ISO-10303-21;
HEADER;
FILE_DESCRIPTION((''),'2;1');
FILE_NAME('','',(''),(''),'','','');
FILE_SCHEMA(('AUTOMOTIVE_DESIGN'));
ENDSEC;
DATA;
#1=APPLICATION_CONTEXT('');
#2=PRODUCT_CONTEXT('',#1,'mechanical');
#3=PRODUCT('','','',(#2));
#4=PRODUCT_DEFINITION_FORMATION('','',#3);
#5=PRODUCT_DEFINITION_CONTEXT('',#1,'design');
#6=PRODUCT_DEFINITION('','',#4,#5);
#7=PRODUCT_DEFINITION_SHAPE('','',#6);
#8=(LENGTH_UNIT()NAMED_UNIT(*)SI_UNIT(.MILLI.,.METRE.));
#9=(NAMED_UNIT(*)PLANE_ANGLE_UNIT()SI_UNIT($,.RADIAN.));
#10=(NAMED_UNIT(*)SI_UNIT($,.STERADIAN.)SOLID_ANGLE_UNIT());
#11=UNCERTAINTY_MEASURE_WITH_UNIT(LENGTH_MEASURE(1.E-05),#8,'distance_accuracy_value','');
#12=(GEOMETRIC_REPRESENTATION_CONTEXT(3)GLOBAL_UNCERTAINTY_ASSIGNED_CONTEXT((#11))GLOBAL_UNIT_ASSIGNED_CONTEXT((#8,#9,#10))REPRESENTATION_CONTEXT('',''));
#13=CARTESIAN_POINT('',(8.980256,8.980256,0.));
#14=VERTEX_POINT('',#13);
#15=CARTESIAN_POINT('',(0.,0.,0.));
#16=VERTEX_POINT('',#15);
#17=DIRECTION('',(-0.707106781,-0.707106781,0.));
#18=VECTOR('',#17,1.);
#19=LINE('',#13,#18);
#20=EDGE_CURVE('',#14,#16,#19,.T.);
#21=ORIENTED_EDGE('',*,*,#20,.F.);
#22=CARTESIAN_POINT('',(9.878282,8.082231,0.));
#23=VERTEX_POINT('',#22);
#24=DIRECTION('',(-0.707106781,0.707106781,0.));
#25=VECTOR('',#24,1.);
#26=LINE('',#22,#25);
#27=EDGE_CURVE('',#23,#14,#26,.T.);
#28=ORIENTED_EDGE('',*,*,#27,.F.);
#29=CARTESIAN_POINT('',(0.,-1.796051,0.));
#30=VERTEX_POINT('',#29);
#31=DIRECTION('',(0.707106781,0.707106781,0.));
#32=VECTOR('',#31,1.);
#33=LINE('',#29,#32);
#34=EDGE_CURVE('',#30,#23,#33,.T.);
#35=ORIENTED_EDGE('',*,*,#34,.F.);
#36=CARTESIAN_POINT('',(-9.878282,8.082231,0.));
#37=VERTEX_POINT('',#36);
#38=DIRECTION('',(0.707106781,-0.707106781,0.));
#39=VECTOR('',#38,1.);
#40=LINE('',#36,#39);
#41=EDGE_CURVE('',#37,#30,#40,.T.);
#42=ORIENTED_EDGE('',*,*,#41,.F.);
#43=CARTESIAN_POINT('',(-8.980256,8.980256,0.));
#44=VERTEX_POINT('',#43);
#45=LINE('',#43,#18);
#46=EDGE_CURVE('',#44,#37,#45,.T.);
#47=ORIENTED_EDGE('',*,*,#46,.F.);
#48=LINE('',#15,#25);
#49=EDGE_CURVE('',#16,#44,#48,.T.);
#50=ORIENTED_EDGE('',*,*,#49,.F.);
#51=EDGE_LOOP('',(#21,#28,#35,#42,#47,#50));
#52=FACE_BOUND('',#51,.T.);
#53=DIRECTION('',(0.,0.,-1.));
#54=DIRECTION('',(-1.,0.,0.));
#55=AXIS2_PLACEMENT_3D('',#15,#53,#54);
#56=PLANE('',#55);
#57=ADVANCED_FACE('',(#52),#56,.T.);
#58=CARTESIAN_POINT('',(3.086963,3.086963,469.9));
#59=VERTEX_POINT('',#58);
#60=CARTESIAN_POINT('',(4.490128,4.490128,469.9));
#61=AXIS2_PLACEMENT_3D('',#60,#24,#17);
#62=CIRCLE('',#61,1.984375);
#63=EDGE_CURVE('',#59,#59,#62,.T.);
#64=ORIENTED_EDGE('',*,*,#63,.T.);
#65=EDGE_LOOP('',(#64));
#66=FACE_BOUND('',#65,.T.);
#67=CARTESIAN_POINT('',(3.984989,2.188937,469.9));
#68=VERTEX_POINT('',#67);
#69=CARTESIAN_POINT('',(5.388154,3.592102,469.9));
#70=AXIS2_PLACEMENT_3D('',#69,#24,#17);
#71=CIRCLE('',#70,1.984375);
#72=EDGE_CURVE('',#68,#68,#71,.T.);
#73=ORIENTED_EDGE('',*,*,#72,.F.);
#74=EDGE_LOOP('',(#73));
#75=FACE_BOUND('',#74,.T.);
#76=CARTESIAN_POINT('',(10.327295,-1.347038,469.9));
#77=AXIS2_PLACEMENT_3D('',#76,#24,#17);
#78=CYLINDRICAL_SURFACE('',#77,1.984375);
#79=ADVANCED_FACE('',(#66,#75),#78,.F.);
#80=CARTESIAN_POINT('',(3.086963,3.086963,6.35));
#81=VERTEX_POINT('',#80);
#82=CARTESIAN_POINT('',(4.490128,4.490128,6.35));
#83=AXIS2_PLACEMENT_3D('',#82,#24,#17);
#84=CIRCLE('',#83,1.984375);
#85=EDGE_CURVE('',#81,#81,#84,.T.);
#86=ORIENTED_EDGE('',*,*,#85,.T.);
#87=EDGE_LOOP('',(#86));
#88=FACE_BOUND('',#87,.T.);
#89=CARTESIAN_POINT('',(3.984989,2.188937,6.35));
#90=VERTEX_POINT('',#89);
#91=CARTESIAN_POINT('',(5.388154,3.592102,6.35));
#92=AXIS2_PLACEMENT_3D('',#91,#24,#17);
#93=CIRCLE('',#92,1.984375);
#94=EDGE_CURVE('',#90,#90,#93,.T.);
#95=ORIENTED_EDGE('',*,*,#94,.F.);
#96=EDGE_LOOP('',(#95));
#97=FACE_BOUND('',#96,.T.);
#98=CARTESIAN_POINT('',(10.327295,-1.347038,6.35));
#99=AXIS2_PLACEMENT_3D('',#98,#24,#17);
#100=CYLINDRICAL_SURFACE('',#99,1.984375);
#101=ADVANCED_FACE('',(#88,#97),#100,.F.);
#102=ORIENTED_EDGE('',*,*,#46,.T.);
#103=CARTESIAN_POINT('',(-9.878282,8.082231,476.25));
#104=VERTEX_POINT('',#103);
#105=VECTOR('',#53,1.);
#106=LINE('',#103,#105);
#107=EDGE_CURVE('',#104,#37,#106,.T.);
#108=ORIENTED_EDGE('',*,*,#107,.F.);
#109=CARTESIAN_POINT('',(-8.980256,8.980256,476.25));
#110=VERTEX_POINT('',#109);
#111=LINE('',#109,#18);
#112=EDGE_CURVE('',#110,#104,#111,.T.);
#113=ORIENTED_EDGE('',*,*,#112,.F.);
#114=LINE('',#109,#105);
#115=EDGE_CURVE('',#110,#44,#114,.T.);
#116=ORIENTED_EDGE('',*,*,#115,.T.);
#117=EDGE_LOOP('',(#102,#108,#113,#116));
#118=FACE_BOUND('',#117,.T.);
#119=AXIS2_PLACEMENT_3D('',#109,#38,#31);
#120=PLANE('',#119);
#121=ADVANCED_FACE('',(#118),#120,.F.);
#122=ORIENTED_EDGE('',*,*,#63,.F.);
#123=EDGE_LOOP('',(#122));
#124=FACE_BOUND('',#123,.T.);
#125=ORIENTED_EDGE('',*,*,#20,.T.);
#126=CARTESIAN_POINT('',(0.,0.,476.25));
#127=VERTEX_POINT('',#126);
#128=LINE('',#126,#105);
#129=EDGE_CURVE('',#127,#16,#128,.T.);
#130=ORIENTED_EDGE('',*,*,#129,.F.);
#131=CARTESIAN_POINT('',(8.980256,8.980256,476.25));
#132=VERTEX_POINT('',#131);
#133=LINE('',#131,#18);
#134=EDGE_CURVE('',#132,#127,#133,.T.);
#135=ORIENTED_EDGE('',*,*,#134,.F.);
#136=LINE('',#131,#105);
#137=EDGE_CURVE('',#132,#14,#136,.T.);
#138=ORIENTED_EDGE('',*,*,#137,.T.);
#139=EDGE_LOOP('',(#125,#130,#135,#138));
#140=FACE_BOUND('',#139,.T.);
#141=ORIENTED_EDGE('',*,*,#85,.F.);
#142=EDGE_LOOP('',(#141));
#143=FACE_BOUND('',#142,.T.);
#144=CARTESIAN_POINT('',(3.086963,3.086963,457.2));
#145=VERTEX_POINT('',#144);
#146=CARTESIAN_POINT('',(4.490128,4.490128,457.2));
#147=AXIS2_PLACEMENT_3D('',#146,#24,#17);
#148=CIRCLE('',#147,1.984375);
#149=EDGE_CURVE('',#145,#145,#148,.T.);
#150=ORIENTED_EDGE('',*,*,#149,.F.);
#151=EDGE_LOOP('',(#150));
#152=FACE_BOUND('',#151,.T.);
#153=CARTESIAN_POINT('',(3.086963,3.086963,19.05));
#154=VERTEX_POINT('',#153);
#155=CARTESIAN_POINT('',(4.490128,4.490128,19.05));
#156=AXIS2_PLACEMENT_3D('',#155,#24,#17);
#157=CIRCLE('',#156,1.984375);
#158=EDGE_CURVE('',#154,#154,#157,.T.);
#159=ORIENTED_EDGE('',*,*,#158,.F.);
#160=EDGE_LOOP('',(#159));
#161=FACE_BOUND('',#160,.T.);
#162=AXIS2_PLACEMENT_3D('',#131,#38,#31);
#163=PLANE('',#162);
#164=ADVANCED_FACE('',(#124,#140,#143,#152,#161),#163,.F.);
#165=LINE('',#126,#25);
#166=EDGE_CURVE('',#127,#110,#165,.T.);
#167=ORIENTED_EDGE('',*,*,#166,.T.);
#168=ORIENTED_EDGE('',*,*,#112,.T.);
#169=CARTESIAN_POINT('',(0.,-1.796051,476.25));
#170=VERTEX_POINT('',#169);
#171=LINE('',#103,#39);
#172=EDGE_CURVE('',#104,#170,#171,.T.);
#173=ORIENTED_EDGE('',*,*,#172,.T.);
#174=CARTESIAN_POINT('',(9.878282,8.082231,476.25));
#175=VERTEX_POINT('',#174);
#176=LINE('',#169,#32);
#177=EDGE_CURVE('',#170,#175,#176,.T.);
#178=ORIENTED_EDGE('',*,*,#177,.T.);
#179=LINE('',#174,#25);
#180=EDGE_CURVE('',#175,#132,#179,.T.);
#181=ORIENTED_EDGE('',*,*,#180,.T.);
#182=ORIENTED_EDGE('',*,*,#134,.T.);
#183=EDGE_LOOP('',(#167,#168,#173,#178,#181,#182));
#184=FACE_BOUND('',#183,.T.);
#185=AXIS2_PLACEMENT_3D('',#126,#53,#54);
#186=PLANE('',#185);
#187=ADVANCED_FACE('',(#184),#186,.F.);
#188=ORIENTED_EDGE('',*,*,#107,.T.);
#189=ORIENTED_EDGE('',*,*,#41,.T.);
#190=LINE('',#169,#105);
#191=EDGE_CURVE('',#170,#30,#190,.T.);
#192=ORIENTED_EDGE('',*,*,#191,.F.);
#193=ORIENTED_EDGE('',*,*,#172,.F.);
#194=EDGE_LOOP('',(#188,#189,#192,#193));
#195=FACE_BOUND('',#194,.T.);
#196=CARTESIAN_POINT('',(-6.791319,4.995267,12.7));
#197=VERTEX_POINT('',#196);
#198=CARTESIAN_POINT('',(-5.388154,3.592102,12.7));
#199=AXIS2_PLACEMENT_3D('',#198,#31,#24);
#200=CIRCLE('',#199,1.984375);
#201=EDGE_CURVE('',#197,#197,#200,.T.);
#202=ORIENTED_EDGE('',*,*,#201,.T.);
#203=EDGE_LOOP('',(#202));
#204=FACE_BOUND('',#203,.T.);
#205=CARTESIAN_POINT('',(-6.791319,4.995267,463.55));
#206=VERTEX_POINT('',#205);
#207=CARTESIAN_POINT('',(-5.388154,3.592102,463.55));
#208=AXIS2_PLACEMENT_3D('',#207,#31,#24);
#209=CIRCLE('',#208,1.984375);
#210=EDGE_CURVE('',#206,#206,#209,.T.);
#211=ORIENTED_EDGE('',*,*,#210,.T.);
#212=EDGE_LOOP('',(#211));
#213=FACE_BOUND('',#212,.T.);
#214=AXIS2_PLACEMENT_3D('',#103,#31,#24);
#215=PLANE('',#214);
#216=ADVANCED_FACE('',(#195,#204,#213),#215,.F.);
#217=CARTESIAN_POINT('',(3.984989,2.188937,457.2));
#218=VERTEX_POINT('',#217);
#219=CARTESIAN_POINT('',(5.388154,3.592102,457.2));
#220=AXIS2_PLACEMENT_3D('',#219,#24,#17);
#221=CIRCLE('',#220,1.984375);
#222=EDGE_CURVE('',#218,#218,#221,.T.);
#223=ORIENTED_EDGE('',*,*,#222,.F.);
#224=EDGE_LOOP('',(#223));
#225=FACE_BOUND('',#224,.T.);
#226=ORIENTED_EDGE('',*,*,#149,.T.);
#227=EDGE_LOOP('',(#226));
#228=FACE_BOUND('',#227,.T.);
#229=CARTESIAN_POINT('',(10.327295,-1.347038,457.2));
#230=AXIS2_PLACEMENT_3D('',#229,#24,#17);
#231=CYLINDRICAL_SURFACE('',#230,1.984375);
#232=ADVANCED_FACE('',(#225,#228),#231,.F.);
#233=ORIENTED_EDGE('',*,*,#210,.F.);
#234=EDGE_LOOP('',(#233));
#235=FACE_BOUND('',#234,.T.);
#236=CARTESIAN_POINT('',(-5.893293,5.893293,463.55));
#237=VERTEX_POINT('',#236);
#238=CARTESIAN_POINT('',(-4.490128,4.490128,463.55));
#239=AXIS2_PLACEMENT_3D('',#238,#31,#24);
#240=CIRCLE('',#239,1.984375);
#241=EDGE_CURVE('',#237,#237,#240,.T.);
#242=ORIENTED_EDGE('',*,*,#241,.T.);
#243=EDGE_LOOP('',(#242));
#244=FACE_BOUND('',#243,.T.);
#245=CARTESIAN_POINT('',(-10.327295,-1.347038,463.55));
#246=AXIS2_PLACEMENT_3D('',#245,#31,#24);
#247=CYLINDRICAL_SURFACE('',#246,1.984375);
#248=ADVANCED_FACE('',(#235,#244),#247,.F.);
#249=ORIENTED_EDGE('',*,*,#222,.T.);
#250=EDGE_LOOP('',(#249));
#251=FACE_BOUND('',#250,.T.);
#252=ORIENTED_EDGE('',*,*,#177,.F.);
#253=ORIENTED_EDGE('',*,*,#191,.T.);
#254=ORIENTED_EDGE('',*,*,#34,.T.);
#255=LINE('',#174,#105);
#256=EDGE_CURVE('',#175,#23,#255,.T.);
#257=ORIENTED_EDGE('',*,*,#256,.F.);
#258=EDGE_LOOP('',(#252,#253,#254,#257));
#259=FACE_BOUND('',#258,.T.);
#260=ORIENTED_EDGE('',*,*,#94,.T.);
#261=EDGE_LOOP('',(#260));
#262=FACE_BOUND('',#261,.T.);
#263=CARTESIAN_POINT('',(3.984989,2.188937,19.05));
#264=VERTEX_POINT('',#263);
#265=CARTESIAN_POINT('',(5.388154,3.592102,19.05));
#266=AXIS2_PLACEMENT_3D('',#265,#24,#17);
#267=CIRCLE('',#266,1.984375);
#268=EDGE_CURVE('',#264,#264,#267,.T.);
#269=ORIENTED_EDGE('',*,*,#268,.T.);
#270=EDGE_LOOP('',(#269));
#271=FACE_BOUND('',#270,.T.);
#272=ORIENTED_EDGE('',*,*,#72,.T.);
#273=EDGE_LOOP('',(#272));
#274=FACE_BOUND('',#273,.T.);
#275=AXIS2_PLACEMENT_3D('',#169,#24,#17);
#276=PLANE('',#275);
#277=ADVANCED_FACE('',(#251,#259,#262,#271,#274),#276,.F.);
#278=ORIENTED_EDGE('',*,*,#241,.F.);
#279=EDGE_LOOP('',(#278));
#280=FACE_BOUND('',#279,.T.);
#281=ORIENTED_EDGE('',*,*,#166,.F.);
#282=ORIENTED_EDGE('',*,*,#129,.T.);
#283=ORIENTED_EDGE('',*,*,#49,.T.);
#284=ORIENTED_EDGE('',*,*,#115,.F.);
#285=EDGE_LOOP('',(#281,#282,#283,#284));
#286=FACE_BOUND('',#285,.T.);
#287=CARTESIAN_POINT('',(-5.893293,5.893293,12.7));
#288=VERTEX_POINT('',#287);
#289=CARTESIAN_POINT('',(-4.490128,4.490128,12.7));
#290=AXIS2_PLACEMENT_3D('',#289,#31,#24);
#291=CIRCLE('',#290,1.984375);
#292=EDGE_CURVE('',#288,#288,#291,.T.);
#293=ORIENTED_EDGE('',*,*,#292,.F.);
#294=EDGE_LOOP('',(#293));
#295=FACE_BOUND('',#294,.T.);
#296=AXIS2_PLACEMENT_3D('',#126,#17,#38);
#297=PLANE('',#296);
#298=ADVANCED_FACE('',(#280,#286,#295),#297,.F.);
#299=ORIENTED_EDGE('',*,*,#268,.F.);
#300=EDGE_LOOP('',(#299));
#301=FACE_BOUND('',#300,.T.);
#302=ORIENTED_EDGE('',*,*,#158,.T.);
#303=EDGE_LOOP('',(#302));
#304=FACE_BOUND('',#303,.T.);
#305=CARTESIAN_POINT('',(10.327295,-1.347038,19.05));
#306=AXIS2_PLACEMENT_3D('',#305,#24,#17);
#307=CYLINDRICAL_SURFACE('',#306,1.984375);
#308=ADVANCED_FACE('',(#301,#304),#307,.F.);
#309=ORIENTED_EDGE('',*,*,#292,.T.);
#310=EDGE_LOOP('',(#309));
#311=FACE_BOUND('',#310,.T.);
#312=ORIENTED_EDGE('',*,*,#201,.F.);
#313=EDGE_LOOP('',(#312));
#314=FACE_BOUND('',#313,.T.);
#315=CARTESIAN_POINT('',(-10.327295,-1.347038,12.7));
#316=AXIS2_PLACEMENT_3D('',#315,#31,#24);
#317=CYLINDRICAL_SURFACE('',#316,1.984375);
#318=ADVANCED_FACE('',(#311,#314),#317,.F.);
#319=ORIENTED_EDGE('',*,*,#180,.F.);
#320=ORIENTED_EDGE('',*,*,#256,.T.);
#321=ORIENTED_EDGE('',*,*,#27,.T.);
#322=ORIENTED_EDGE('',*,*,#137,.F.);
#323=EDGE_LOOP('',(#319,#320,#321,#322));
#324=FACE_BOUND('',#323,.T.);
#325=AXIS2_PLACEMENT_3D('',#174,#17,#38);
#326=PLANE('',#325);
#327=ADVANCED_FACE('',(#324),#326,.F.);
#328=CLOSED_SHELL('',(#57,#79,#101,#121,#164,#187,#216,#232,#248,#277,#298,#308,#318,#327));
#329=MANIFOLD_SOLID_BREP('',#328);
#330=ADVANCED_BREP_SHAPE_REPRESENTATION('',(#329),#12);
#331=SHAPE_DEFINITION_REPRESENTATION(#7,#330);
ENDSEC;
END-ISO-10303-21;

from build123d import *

# Parameters (mm, degrees)
BOSS_EXTRUDE1_DEPTH = 476.25
SKETCH2_R           = 1.984375
CUT_EXTRUDE1_DEPTH  = 477.43707659
SKETCH3_R           = 1.984375
CUT_EXTRUDE2_DEPTH  = 477.43707659
SKETCH4_R           = 1.984375
CUT_EXTRUDE3_DEPTH  = 477.43707659
SKETCH5_R           = 1.984375
CUT_EXTRUDE4_DEPTH  = 477.43707659


with BuildPart() as part:
    # Sketch1 → Boss-Extrude1 (new body)
    with BuildSketch(Plane.XY):
        Polygon((0, 0), (-8.980256121, 8.980256121), (-9.878281733, 8.082230509), (0, -1.796051224), (9.878281733, 8.082230509), (8.980256121, 8.980256121), align=None)
    extrude(amount=BOSS_EXTRUDE1_DEPTH)

    # Sketch2 → Cut-Extrude1 (cut, through all)
    with BuildSketch(Plane(origin=(0, 0, 0), x_dir=(0, 0, 1), z_dir=(-0.7071067811865469, 0.7071067811865481, 0))):
        with Locations(Location((469.9, 6.35, 0), (0, 0, 270))):
            Circle(SKETCH2_R)
        with Locations(Location((457.2, 6.35, 0), (0, 0, 270))):
            Circle(SKETCH2_R)
    extrude(amount=-CUT_EXTRUDE1_DEPTH, mode=Mode.SUBTRACT)

    # Sketch3 → Cut-Extrude2 (cut, through all)
    with BuildSketch(Plane(origin=(0, 0, 0), x_dir=(0, 0, -1), z_dir=(0.7071067811865483, 0.7071067811865468, 0))):
        with Locations(Location((-463.55, 6.35, 0), (0, 0, 90))):
            Circle(SKETCH3_R)
    extrude(amount=-CUT_EXTRUDE2_DEPTH, mode=Mode.SUBTRACT)

    # Sketch4 → Cut-Extrude3 (cut, through all)
    with BuildSketch(Plane(origin=(0, 0, 0), x_dir=(0, 0, 1), z_dir=(-0.7071067811865471, 0.7071067811865479, 0))):
        with Locations(Location((6.35, 6.35, 0), (0, 0, 270))):
            Circle(SKETCH4_R)
        with Locations(Location((19.05, 6.35, 0), (0, 0, 270))):
            Circle(SKETCH4_R)
    extrude(amount=-CUT_EXTRUDE3_DEPTH, mode=Mode.SUBTRACT)

    # Sketch5 → Cut-Extrude4 (cut, through all)
    with BuildSketch(Plane(origin=(0, 0, 0), x_dir=(0, 0, -1), z_dir=(0.7071067811865482, 0.7071067811865468, 0))):
        with Locations(Location((-12.7, 6.35, 0), (0, 0, 90))):
            Circle(SKETCH5_R)
    extrude(amount=-CUT_EXTRUDE4_DEPTH, mode=Mode.SUBTRACT)


solid = part.part
